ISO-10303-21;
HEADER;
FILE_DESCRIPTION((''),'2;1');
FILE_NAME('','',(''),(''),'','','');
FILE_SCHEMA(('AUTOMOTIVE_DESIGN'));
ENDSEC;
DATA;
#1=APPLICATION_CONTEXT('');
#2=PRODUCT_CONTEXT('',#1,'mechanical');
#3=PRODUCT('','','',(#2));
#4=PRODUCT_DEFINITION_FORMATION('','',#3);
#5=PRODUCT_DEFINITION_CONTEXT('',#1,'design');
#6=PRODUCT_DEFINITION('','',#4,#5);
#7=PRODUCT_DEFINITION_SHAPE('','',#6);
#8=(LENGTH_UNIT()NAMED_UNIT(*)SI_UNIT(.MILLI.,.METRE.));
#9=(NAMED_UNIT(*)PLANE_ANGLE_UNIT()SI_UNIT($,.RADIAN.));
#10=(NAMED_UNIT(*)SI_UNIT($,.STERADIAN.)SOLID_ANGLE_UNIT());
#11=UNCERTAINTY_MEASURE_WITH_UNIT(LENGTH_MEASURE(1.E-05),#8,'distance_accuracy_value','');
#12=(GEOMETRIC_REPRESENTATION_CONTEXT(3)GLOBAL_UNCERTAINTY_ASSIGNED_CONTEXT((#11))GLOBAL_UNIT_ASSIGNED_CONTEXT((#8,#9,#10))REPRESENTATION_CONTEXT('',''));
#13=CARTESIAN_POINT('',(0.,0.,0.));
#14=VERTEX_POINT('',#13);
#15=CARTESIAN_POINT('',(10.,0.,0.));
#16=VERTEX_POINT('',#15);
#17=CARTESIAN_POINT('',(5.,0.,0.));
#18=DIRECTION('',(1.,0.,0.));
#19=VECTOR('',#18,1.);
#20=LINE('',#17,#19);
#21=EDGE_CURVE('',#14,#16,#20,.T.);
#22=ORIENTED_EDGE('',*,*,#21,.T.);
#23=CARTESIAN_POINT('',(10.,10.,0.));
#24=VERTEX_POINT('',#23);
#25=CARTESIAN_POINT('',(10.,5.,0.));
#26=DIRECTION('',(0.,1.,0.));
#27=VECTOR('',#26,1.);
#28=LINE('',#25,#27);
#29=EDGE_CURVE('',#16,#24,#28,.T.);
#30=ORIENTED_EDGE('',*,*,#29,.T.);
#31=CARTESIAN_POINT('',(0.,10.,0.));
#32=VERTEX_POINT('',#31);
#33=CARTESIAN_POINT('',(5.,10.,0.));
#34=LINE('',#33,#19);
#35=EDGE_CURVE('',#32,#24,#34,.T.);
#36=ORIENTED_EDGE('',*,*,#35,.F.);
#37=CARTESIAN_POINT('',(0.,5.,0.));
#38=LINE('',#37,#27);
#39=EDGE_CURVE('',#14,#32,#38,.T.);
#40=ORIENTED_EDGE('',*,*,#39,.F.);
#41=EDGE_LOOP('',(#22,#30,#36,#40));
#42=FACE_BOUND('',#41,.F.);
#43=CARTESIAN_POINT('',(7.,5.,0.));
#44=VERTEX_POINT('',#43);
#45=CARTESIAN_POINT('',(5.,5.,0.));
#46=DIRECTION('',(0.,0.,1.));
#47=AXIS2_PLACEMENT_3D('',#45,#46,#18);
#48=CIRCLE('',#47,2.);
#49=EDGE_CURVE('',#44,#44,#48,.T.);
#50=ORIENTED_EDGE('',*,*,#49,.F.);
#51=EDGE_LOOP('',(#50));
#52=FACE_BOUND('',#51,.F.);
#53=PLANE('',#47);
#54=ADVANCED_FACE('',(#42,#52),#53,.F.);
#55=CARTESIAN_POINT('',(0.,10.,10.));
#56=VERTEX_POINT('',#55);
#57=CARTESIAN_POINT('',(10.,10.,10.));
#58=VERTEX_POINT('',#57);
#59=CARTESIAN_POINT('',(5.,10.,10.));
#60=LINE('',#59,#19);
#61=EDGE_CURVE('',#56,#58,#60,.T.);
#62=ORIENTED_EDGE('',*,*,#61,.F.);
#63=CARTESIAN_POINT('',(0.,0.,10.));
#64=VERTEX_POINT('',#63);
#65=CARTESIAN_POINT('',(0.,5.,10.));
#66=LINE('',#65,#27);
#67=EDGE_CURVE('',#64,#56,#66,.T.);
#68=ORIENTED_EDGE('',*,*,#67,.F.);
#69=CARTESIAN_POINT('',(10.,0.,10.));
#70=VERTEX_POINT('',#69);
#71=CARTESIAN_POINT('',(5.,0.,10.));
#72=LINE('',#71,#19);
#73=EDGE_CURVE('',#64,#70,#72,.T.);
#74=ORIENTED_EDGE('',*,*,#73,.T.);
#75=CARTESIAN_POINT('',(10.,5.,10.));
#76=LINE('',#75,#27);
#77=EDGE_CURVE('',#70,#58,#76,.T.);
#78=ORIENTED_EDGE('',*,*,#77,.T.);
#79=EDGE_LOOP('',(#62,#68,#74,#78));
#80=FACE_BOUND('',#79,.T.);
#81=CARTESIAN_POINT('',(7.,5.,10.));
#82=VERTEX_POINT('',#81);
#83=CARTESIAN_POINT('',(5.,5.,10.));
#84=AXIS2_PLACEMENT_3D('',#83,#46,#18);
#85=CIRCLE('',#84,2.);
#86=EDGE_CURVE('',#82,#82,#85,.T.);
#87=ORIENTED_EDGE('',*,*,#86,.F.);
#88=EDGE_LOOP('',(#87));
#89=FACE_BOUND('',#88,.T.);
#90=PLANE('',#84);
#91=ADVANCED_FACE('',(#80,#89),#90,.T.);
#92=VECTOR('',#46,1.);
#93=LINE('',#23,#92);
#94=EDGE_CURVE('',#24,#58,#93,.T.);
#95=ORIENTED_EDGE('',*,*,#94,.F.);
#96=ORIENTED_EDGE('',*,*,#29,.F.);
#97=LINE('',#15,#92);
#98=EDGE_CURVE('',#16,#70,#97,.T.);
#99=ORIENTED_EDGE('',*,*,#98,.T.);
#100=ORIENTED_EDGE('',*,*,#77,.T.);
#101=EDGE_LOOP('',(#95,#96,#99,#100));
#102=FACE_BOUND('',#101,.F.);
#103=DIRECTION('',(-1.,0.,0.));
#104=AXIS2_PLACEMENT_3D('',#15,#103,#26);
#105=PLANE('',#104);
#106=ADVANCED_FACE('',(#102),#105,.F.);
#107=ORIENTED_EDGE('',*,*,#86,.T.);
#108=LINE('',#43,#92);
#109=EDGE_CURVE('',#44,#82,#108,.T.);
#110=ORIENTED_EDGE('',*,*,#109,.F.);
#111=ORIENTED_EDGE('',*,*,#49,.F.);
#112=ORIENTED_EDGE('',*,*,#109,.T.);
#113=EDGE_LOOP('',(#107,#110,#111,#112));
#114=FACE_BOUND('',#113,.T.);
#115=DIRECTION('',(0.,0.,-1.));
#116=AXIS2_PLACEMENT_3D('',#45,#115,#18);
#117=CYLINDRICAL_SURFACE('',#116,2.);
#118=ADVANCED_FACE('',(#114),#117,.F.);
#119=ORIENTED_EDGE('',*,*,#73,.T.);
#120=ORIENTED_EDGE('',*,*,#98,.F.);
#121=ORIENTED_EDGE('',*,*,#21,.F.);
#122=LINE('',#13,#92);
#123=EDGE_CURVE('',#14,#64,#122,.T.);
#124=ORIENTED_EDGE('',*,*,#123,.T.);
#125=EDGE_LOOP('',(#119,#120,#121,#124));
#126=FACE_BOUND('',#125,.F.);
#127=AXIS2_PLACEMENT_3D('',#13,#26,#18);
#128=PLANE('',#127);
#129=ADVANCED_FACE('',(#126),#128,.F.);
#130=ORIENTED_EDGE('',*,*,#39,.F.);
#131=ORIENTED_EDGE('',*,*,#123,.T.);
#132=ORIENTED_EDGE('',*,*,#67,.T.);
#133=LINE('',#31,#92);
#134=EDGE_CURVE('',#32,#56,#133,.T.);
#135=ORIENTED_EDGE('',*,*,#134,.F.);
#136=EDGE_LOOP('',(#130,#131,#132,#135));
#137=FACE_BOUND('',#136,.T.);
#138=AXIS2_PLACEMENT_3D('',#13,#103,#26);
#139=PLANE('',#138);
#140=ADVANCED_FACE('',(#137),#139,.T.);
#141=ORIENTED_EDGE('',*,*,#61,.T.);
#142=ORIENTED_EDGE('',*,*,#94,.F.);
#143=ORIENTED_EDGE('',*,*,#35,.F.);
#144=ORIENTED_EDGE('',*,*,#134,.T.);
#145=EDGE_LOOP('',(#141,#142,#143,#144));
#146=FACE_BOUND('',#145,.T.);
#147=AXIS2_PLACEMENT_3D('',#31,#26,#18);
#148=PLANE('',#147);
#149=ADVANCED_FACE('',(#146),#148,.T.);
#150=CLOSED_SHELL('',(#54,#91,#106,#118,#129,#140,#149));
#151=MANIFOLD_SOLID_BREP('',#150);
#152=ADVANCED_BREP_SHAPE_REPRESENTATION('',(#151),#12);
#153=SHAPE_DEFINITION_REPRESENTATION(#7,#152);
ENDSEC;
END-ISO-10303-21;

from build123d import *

# Parameters (mm, degrees)
CYLINDER097_R     = 2
CYLINDER097_DEPTH = 10
BOX002_W          = 10
BOX002_H          = 10
BOX002_DEPTH      = 10


with BuildPart() as cylinder:
    # Cylinder097 → Cylinder097 (new body)
    with BuildSketch(Plane(origin=(5, 5, 0), x_dir=(1, 0, 0), z_dir=(0, 0, 1))):
        Circle(CYLINDER097_R)
    extrude(amount=CYLINDER097_DEPTH)


with BuildPart() as test_hole:
    # Box002 → Box002 (new body)
    with BuildSketch(Plane.XY):
        with Locations((5, 5)):
            Rectangle(BOX002_W, BOX002_H)
    extrude(amount=BOX002_DEPTH)

    # Cut003: cut Cylinder
    add(cylinder.part, mode=Mode.SUBTRACT)


solid = test_hole.part
